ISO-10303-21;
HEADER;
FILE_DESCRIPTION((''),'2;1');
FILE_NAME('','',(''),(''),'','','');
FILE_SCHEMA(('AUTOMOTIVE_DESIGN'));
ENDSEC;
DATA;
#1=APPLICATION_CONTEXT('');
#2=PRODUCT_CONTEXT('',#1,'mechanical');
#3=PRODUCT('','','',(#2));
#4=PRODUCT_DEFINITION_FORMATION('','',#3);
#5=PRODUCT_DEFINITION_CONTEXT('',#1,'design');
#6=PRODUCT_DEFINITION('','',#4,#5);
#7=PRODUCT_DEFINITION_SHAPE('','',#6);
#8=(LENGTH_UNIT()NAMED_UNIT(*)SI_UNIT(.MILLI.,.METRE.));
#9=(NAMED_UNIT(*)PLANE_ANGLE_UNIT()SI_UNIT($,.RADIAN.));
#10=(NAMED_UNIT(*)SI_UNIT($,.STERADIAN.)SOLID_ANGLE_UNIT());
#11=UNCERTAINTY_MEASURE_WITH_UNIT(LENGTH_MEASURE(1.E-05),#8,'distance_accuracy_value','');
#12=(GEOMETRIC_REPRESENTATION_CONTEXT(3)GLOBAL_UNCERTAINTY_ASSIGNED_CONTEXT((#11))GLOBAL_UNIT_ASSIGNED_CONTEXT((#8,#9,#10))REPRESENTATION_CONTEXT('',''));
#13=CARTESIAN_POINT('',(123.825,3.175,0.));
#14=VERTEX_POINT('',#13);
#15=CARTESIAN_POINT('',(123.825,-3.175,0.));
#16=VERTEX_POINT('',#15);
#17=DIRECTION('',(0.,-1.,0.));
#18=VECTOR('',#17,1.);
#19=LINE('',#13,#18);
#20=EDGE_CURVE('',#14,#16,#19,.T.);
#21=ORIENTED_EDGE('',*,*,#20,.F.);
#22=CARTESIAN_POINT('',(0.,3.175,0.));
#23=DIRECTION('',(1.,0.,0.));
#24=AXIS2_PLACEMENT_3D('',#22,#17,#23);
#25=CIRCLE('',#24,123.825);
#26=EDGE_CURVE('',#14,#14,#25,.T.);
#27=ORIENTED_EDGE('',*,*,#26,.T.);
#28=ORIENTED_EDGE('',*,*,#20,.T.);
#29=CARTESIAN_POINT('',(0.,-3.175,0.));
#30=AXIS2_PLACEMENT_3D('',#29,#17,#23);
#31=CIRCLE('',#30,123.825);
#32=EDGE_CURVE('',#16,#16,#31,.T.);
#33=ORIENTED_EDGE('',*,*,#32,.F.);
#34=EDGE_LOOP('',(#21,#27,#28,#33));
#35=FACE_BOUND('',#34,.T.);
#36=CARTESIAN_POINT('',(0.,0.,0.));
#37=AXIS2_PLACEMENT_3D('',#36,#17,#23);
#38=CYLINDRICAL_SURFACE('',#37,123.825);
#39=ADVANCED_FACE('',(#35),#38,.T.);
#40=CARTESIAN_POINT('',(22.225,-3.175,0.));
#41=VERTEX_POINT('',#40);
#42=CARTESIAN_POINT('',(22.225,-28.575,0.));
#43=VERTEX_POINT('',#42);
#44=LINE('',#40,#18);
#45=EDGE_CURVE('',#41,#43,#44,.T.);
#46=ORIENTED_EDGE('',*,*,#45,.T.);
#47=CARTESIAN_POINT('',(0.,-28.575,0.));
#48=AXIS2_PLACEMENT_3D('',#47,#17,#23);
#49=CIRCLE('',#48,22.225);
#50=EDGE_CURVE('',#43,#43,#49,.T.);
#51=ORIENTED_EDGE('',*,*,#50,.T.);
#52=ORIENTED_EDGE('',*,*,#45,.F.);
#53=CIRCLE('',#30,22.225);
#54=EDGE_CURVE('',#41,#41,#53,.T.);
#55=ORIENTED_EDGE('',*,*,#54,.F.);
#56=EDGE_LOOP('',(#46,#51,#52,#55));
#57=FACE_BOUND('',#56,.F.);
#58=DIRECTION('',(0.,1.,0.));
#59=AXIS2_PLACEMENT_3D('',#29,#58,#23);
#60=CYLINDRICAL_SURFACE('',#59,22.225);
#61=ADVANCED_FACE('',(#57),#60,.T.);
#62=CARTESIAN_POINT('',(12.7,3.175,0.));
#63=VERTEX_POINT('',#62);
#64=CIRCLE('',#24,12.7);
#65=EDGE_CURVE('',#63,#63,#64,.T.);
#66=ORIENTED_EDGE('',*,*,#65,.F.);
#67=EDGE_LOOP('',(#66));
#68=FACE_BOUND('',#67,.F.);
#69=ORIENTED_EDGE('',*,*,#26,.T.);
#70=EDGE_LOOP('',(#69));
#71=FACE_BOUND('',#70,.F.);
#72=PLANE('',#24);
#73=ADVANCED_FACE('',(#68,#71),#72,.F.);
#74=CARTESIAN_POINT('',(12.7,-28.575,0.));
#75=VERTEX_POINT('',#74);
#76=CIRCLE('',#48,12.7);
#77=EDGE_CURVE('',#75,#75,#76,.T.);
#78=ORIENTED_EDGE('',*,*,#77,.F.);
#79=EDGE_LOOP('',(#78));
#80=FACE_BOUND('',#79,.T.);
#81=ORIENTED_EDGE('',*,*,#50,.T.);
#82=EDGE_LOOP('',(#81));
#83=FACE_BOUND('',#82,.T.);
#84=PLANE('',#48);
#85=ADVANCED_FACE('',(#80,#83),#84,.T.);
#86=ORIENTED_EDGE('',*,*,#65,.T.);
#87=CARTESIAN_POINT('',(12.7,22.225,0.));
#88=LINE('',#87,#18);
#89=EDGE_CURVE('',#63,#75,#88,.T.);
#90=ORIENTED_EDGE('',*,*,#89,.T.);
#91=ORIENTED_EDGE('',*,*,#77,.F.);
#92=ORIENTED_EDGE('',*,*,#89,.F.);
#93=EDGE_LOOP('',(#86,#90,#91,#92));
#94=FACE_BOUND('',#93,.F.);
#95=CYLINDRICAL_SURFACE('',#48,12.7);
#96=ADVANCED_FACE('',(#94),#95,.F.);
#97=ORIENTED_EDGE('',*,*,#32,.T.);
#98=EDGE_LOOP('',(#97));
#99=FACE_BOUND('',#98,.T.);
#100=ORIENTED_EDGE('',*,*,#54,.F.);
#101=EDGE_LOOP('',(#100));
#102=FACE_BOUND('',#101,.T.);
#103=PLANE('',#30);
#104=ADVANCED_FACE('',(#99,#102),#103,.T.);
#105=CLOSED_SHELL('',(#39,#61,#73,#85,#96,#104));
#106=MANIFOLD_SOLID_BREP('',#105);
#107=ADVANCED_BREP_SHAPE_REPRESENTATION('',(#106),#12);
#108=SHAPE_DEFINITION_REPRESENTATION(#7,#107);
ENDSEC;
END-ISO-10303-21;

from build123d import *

# Parameters (mm, degrees)
F0_R     = 123.825
F1_DEPTH = 3.175
F2_R     = 22.225
F3_DEPTH = 25.4
F4_R     = 12.7
F5_DEPTH = 50.8


with BuildPart() as f1:
    # F0 (on Front) → F1 (new body, symmetric)
    with BuildSketch(Plane.XZ):
        Circle(F0_R)
    extrude(amount=F1_DEPTH, both=True)

    # F2 (on face) → F3 (join)
    with BuildSketch(Plane.XZ.offset(3.175)):
        Circle(F2_R)
    extrude(amount=F3_DEPTH)

    # F4 (on face) → F5 (cut, symmetric)
    with BuildSketch(Plane.XZ.offset(28.575)):
        Circle(F4_R)
    extrude(amount=F5_DEPTH, both=True, mode=Mode.SUBTRACT)


solid = f1.part
